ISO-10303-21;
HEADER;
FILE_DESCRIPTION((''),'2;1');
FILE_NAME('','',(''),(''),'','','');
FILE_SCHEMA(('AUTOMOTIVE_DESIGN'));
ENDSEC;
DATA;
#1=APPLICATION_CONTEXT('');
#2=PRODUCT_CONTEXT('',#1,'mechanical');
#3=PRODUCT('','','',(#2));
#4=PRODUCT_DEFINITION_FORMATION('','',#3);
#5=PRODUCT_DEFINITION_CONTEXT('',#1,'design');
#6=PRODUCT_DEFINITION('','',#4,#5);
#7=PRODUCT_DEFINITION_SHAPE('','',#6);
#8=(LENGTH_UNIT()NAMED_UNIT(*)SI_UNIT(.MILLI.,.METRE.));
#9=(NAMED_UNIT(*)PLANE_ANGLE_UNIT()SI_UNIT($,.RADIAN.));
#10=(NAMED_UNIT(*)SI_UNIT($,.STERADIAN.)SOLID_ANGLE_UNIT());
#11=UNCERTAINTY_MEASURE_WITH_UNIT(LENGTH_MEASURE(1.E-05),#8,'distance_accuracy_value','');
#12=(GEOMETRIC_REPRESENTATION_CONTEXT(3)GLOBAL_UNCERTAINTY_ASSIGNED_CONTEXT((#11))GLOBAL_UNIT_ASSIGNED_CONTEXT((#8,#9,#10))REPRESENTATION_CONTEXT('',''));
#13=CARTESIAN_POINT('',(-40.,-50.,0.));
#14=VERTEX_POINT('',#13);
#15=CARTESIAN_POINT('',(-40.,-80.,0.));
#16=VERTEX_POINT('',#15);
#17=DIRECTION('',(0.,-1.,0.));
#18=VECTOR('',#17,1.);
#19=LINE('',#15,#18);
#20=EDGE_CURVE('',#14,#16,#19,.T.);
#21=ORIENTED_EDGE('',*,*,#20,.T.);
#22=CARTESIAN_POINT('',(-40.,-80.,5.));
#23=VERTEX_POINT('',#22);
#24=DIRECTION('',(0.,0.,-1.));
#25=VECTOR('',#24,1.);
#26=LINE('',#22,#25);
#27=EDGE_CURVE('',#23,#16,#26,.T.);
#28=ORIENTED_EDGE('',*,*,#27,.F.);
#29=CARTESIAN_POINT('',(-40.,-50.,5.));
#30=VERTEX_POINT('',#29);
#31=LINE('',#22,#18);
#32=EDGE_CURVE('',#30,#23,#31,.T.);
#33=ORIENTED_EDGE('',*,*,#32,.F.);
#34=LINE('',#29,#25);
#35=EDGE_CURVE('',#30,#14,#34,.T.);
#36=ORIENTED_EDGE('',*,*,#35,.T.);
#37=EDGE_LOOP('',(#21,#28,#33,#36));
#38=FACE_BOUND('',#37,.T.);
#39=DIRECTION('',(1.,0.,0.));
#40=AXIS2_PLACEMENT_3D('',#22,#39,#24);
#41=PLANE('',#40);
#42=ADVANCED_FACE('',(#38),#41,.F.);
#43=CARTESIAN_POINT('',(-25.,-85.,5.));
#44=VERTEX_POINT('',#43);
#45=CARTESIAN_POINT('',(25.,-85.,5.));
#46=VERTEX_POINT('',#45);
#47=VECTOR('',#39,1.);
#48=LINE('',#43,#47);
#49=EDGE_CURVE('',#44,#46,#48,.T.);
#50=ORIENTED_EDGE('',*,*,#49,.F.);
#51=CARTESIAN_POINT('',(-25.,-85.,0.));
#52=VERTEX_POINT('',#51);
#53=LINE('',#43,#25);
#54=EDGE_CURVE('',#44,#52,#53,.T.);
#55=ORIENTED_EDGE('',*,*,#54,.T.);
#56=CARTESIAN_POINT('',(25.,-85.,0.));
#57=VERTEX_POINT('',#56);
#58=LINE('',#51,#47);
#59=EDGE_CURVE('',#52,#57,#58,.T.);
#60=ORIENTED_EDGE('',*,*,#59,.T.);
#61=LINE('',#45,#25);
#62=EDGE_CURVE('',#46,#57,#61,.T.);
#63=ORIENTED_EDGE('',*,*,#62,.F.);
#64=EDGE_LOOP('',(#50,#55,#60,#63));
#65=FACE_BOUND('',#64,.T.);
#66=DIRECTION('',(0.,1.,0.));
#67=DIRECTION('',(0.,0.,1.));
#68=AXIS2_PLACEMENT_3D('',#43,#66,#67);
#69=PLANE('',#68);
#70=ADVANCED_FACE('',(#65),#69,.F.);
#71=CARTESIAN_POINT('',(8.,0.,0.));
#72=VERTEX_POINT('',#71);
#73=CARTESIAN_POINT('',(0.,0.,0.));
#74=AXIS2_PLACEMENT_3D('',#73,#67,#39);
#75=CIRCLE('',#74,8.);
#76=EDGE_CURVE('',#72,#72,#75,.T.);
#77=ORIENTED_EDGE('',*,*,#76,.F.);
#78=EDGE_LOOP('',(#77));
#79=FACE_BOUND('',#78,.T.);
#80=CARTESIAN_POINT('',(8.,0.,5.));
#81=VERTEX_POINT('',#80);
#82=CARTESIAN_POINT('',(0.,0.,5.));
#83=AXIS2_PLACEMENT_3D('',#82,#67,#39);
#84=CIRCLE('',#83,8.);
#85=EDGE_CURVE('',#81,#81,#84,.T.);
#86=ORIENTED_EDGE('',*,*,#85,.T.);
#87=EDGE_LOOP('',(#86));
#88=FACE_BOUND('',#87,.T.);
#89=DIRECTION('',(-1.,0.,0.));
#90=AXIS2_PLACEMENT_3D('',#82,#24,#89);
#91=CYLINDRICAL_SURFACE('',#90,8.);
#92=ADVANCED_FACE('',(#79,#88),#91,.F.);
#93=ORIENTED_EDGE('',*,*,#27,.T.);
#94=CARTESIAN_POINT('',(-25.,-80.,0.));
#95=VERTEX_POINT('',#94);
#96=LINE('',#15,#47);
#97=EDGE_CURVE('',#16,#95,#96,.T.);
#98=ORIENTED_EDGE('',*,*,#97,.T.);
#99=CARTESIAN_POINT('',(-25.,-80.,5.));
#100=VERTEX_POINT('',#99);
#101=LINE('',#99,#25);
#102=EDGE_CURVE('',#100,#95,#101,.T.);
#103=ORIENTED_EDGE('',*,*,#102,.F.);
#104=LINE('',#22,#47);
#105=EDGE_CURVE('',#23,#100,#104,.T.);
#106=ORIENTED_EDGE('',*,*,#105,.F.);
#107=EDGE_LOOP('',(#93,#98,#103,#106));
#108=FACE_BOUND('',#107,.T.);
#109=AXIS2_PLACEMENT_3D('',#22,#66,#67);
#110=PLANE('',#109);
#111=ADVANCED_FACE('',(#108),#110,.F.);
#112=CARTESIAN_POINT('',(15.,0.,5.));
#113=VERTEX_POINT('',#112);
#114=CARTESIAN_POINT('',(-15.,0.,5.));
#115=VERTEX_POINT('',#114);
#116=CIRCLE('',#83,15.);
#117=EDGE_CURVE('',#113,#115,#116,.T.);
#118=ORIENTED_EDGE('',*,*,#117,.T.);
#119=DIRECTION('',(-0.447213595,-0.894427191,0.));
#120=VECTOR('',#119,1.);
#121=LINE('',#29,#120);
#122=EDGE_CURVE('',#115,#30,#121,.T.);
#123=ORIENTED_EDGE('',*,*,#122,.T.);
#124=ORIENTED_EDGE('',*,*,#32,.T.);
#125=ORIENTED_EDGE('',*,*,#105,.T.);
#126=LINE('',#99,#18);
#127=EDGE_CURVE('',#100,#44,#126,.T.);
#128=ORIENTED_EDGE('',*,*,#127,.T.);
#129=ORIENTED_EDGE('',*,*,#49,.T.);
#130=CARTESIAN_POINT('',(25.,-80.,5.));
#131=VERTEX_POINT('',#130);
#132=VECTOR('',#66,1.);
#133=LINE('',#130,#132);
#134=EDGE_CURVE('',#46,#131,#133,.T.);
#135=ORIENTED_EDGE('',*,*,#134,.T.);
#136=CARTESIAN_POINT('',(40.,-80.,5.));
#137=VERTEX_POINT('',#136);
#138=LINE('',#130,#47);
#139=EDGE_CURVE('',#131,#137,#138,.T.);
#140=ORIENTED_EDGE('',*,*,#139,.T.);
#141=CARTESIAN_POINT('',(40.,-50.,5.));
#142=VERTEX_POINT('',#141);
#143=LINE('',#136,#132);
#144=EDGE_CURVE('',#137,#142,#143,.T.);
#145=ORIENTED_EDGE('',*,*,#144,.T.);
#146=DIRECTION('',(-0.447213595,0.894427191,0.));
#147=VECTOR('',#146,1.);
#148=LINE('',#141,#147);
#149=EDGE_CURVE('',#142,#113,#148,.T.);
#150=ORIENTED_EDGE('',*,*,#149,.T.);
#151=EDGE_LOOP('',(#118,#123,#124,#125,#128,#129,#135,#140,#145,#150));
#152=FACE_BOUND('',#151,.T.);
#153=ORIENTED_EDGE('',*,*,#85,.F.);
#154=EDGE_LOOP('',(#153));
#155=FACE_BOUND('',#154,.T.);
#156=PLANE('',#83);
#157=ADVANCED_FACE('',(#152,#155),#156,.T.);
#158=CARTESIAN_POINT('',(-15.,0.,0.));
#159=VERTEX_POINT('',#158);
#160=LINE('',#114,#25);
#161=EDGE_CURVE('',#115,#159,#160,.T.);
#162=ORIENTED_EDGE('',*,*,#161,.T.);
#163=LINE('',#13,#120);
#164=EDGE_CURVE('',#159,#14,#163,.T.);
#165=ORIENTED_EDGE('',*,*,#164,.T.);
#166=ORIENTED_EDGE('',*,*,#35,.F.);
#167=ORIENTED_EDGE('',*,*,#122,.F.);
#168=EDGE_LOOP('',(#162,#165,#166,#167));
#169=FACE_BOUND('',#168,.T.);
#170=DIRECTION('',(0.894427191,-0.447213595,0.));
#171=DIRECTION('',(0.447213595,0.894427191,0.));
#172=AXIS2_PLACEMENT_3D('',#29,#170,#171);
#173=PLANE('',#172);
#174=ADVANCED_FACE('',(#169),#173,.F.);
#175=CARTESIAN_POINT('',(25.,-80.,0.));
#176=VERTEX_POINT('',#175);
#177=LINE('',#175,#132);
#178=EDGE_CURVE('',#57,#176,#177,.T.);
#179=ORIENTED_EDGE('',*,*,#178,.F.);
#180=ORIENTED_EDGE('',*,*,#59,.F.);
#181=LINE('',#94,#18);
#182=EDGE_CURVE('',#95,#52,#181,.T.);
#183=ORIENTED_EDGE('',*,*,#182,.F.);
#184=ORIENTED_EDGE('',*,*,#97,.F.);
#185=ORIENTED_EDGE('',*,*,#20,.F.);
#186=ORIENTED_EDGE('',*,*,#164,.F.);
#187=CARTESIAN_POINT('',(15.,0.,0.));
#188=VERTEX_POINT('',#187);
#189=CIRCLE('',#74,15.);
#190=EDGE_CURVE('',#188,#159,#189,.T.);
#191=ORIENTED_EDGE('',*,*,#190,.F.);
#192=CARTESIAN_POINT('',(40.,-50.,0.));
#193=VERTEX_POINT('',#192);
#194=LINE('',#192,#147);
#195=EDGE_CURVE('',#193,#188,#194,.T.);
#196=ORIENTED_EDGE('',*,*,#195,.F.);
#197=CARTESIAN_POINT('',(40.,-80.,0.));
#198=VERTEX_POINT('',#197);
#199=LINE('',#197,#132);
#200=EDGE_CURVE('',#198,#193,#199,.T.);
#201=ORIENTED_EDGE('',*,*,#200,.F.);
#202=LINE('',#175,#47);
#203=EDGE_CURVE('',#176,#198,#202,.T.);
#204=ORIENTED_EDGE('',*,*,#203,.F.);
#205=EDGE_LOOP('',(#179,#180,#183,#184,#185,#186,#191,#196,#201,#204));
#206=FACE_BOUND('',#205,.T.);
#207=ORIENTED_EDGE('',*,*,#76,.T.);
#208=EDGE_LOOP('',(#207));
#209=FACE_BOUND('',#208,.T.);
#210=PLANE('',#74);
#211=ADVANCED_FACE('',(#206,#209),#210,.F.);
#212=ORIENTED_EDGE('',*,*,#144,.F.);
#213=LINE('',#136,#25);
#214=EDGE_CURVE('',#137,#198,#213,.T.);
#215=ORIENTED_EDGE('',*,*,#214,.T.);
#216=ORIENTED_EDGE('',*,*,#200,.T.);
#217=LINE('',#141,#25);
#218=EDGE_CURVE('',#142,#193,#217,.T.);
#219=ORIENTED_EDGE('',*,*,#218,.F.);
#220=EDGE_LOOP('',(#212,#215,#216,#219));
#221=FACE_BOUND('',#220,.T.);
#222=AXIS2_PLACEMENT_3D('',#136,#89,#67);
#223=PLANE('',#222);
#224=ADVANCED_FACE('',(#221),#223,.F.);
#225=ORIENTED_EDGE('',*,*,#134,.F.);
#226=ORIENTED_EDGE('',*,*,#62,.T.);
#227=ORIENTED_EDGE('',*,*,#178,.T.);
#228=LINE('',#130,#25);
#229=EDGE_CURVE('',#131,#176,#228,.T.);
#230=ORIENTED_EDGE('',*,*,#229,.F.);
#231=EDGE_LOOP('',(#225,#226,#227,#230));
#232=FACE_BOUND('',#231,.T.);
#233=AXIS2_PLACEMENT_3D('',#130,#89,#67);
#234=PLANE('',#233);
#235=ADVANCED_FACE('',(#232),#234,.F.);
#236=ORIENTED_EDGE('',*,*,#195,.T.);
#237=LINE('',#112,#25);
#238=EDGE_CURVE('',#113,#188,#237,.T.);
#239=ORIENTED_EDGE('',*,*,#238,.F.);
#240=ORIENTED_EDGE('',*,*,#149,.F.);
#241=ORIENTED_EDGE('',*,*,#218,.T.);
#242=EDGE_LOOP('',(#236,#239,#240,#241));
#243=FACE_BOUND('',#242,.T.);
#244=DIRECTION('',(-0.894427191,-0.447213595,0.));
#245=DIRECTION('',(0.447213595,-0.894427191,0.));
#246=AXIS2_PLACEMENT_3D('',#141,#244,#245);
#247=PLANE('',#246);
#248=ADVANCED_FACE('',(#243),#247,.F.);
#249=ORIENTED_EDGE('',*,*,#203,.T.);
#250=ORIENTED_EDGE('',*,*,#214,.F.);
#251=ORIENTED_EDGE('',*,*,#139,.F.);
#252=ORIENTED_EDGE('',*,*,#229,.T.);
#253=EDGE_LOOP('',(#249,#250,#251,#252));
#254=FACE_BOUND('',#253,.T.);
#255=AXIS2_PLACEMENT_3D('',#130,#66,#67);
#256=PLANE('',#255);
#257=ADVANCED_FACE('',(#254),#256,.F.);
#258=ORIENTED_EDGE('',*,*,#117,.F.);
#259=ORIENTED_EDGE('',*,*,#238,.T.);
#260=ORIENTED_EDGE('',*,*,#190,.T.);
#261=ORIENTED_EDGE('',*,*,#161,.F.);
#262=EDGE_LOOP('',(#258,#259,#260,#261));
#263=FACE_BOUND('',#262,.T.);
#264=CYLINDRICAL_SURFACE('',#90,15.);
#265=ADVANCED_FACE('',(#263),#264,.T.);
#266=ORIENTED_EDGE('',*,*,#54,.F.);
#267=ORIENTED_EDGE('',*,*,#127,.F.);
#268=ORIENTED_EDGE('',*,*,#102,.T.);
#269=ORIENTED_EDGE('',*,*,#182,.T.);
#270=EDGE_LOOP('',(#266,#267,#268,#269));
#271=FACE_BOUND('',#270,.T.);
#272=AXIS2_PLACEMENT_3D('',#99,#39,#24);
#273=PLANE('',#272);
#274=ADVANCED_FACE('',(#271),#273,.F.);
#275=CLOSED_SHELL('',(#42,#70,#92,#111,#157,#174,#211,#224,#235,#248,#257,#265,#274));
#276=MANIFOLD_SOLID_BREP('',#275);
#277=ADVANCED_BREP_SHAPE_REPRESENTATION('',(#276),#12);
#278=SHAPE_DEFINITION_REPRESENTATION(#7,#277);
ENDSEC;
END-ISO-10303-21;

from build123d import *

# Parameters (mm, degrees)
SKETCH1_R           = 8
BOSS_EXTRUDE1_DEPTH = 5


with BuildPart() as part:
    # Sketch1 → Boss-Extrude1 (new body)
    with BuildSketch(Plane.XY):
        with BuildLine():
            Line((-40, -80), (-25, -80))
            Line((-25, -80), (-25, -85))
            Line((-25, -85), (25, -85))
            Line((25, -85), (25, -80))
            Line((25, -80), (40, -80))
            Line((40, -80), (40, -50))
            Line((40, -50), (15, 0))
            ThreePointArc((15, 0), (0, 15), (-15, 0))
            Line((-15, 0), (-40, -50))
            Line((-40, -50), (-40, -80))
        make_face()
        Circle(SKETCH1_R, mode=Mode.SUBTRACT)
    extrude(amount=BOSS_EXTRUDE1_DEPTH)


solid = part.part
